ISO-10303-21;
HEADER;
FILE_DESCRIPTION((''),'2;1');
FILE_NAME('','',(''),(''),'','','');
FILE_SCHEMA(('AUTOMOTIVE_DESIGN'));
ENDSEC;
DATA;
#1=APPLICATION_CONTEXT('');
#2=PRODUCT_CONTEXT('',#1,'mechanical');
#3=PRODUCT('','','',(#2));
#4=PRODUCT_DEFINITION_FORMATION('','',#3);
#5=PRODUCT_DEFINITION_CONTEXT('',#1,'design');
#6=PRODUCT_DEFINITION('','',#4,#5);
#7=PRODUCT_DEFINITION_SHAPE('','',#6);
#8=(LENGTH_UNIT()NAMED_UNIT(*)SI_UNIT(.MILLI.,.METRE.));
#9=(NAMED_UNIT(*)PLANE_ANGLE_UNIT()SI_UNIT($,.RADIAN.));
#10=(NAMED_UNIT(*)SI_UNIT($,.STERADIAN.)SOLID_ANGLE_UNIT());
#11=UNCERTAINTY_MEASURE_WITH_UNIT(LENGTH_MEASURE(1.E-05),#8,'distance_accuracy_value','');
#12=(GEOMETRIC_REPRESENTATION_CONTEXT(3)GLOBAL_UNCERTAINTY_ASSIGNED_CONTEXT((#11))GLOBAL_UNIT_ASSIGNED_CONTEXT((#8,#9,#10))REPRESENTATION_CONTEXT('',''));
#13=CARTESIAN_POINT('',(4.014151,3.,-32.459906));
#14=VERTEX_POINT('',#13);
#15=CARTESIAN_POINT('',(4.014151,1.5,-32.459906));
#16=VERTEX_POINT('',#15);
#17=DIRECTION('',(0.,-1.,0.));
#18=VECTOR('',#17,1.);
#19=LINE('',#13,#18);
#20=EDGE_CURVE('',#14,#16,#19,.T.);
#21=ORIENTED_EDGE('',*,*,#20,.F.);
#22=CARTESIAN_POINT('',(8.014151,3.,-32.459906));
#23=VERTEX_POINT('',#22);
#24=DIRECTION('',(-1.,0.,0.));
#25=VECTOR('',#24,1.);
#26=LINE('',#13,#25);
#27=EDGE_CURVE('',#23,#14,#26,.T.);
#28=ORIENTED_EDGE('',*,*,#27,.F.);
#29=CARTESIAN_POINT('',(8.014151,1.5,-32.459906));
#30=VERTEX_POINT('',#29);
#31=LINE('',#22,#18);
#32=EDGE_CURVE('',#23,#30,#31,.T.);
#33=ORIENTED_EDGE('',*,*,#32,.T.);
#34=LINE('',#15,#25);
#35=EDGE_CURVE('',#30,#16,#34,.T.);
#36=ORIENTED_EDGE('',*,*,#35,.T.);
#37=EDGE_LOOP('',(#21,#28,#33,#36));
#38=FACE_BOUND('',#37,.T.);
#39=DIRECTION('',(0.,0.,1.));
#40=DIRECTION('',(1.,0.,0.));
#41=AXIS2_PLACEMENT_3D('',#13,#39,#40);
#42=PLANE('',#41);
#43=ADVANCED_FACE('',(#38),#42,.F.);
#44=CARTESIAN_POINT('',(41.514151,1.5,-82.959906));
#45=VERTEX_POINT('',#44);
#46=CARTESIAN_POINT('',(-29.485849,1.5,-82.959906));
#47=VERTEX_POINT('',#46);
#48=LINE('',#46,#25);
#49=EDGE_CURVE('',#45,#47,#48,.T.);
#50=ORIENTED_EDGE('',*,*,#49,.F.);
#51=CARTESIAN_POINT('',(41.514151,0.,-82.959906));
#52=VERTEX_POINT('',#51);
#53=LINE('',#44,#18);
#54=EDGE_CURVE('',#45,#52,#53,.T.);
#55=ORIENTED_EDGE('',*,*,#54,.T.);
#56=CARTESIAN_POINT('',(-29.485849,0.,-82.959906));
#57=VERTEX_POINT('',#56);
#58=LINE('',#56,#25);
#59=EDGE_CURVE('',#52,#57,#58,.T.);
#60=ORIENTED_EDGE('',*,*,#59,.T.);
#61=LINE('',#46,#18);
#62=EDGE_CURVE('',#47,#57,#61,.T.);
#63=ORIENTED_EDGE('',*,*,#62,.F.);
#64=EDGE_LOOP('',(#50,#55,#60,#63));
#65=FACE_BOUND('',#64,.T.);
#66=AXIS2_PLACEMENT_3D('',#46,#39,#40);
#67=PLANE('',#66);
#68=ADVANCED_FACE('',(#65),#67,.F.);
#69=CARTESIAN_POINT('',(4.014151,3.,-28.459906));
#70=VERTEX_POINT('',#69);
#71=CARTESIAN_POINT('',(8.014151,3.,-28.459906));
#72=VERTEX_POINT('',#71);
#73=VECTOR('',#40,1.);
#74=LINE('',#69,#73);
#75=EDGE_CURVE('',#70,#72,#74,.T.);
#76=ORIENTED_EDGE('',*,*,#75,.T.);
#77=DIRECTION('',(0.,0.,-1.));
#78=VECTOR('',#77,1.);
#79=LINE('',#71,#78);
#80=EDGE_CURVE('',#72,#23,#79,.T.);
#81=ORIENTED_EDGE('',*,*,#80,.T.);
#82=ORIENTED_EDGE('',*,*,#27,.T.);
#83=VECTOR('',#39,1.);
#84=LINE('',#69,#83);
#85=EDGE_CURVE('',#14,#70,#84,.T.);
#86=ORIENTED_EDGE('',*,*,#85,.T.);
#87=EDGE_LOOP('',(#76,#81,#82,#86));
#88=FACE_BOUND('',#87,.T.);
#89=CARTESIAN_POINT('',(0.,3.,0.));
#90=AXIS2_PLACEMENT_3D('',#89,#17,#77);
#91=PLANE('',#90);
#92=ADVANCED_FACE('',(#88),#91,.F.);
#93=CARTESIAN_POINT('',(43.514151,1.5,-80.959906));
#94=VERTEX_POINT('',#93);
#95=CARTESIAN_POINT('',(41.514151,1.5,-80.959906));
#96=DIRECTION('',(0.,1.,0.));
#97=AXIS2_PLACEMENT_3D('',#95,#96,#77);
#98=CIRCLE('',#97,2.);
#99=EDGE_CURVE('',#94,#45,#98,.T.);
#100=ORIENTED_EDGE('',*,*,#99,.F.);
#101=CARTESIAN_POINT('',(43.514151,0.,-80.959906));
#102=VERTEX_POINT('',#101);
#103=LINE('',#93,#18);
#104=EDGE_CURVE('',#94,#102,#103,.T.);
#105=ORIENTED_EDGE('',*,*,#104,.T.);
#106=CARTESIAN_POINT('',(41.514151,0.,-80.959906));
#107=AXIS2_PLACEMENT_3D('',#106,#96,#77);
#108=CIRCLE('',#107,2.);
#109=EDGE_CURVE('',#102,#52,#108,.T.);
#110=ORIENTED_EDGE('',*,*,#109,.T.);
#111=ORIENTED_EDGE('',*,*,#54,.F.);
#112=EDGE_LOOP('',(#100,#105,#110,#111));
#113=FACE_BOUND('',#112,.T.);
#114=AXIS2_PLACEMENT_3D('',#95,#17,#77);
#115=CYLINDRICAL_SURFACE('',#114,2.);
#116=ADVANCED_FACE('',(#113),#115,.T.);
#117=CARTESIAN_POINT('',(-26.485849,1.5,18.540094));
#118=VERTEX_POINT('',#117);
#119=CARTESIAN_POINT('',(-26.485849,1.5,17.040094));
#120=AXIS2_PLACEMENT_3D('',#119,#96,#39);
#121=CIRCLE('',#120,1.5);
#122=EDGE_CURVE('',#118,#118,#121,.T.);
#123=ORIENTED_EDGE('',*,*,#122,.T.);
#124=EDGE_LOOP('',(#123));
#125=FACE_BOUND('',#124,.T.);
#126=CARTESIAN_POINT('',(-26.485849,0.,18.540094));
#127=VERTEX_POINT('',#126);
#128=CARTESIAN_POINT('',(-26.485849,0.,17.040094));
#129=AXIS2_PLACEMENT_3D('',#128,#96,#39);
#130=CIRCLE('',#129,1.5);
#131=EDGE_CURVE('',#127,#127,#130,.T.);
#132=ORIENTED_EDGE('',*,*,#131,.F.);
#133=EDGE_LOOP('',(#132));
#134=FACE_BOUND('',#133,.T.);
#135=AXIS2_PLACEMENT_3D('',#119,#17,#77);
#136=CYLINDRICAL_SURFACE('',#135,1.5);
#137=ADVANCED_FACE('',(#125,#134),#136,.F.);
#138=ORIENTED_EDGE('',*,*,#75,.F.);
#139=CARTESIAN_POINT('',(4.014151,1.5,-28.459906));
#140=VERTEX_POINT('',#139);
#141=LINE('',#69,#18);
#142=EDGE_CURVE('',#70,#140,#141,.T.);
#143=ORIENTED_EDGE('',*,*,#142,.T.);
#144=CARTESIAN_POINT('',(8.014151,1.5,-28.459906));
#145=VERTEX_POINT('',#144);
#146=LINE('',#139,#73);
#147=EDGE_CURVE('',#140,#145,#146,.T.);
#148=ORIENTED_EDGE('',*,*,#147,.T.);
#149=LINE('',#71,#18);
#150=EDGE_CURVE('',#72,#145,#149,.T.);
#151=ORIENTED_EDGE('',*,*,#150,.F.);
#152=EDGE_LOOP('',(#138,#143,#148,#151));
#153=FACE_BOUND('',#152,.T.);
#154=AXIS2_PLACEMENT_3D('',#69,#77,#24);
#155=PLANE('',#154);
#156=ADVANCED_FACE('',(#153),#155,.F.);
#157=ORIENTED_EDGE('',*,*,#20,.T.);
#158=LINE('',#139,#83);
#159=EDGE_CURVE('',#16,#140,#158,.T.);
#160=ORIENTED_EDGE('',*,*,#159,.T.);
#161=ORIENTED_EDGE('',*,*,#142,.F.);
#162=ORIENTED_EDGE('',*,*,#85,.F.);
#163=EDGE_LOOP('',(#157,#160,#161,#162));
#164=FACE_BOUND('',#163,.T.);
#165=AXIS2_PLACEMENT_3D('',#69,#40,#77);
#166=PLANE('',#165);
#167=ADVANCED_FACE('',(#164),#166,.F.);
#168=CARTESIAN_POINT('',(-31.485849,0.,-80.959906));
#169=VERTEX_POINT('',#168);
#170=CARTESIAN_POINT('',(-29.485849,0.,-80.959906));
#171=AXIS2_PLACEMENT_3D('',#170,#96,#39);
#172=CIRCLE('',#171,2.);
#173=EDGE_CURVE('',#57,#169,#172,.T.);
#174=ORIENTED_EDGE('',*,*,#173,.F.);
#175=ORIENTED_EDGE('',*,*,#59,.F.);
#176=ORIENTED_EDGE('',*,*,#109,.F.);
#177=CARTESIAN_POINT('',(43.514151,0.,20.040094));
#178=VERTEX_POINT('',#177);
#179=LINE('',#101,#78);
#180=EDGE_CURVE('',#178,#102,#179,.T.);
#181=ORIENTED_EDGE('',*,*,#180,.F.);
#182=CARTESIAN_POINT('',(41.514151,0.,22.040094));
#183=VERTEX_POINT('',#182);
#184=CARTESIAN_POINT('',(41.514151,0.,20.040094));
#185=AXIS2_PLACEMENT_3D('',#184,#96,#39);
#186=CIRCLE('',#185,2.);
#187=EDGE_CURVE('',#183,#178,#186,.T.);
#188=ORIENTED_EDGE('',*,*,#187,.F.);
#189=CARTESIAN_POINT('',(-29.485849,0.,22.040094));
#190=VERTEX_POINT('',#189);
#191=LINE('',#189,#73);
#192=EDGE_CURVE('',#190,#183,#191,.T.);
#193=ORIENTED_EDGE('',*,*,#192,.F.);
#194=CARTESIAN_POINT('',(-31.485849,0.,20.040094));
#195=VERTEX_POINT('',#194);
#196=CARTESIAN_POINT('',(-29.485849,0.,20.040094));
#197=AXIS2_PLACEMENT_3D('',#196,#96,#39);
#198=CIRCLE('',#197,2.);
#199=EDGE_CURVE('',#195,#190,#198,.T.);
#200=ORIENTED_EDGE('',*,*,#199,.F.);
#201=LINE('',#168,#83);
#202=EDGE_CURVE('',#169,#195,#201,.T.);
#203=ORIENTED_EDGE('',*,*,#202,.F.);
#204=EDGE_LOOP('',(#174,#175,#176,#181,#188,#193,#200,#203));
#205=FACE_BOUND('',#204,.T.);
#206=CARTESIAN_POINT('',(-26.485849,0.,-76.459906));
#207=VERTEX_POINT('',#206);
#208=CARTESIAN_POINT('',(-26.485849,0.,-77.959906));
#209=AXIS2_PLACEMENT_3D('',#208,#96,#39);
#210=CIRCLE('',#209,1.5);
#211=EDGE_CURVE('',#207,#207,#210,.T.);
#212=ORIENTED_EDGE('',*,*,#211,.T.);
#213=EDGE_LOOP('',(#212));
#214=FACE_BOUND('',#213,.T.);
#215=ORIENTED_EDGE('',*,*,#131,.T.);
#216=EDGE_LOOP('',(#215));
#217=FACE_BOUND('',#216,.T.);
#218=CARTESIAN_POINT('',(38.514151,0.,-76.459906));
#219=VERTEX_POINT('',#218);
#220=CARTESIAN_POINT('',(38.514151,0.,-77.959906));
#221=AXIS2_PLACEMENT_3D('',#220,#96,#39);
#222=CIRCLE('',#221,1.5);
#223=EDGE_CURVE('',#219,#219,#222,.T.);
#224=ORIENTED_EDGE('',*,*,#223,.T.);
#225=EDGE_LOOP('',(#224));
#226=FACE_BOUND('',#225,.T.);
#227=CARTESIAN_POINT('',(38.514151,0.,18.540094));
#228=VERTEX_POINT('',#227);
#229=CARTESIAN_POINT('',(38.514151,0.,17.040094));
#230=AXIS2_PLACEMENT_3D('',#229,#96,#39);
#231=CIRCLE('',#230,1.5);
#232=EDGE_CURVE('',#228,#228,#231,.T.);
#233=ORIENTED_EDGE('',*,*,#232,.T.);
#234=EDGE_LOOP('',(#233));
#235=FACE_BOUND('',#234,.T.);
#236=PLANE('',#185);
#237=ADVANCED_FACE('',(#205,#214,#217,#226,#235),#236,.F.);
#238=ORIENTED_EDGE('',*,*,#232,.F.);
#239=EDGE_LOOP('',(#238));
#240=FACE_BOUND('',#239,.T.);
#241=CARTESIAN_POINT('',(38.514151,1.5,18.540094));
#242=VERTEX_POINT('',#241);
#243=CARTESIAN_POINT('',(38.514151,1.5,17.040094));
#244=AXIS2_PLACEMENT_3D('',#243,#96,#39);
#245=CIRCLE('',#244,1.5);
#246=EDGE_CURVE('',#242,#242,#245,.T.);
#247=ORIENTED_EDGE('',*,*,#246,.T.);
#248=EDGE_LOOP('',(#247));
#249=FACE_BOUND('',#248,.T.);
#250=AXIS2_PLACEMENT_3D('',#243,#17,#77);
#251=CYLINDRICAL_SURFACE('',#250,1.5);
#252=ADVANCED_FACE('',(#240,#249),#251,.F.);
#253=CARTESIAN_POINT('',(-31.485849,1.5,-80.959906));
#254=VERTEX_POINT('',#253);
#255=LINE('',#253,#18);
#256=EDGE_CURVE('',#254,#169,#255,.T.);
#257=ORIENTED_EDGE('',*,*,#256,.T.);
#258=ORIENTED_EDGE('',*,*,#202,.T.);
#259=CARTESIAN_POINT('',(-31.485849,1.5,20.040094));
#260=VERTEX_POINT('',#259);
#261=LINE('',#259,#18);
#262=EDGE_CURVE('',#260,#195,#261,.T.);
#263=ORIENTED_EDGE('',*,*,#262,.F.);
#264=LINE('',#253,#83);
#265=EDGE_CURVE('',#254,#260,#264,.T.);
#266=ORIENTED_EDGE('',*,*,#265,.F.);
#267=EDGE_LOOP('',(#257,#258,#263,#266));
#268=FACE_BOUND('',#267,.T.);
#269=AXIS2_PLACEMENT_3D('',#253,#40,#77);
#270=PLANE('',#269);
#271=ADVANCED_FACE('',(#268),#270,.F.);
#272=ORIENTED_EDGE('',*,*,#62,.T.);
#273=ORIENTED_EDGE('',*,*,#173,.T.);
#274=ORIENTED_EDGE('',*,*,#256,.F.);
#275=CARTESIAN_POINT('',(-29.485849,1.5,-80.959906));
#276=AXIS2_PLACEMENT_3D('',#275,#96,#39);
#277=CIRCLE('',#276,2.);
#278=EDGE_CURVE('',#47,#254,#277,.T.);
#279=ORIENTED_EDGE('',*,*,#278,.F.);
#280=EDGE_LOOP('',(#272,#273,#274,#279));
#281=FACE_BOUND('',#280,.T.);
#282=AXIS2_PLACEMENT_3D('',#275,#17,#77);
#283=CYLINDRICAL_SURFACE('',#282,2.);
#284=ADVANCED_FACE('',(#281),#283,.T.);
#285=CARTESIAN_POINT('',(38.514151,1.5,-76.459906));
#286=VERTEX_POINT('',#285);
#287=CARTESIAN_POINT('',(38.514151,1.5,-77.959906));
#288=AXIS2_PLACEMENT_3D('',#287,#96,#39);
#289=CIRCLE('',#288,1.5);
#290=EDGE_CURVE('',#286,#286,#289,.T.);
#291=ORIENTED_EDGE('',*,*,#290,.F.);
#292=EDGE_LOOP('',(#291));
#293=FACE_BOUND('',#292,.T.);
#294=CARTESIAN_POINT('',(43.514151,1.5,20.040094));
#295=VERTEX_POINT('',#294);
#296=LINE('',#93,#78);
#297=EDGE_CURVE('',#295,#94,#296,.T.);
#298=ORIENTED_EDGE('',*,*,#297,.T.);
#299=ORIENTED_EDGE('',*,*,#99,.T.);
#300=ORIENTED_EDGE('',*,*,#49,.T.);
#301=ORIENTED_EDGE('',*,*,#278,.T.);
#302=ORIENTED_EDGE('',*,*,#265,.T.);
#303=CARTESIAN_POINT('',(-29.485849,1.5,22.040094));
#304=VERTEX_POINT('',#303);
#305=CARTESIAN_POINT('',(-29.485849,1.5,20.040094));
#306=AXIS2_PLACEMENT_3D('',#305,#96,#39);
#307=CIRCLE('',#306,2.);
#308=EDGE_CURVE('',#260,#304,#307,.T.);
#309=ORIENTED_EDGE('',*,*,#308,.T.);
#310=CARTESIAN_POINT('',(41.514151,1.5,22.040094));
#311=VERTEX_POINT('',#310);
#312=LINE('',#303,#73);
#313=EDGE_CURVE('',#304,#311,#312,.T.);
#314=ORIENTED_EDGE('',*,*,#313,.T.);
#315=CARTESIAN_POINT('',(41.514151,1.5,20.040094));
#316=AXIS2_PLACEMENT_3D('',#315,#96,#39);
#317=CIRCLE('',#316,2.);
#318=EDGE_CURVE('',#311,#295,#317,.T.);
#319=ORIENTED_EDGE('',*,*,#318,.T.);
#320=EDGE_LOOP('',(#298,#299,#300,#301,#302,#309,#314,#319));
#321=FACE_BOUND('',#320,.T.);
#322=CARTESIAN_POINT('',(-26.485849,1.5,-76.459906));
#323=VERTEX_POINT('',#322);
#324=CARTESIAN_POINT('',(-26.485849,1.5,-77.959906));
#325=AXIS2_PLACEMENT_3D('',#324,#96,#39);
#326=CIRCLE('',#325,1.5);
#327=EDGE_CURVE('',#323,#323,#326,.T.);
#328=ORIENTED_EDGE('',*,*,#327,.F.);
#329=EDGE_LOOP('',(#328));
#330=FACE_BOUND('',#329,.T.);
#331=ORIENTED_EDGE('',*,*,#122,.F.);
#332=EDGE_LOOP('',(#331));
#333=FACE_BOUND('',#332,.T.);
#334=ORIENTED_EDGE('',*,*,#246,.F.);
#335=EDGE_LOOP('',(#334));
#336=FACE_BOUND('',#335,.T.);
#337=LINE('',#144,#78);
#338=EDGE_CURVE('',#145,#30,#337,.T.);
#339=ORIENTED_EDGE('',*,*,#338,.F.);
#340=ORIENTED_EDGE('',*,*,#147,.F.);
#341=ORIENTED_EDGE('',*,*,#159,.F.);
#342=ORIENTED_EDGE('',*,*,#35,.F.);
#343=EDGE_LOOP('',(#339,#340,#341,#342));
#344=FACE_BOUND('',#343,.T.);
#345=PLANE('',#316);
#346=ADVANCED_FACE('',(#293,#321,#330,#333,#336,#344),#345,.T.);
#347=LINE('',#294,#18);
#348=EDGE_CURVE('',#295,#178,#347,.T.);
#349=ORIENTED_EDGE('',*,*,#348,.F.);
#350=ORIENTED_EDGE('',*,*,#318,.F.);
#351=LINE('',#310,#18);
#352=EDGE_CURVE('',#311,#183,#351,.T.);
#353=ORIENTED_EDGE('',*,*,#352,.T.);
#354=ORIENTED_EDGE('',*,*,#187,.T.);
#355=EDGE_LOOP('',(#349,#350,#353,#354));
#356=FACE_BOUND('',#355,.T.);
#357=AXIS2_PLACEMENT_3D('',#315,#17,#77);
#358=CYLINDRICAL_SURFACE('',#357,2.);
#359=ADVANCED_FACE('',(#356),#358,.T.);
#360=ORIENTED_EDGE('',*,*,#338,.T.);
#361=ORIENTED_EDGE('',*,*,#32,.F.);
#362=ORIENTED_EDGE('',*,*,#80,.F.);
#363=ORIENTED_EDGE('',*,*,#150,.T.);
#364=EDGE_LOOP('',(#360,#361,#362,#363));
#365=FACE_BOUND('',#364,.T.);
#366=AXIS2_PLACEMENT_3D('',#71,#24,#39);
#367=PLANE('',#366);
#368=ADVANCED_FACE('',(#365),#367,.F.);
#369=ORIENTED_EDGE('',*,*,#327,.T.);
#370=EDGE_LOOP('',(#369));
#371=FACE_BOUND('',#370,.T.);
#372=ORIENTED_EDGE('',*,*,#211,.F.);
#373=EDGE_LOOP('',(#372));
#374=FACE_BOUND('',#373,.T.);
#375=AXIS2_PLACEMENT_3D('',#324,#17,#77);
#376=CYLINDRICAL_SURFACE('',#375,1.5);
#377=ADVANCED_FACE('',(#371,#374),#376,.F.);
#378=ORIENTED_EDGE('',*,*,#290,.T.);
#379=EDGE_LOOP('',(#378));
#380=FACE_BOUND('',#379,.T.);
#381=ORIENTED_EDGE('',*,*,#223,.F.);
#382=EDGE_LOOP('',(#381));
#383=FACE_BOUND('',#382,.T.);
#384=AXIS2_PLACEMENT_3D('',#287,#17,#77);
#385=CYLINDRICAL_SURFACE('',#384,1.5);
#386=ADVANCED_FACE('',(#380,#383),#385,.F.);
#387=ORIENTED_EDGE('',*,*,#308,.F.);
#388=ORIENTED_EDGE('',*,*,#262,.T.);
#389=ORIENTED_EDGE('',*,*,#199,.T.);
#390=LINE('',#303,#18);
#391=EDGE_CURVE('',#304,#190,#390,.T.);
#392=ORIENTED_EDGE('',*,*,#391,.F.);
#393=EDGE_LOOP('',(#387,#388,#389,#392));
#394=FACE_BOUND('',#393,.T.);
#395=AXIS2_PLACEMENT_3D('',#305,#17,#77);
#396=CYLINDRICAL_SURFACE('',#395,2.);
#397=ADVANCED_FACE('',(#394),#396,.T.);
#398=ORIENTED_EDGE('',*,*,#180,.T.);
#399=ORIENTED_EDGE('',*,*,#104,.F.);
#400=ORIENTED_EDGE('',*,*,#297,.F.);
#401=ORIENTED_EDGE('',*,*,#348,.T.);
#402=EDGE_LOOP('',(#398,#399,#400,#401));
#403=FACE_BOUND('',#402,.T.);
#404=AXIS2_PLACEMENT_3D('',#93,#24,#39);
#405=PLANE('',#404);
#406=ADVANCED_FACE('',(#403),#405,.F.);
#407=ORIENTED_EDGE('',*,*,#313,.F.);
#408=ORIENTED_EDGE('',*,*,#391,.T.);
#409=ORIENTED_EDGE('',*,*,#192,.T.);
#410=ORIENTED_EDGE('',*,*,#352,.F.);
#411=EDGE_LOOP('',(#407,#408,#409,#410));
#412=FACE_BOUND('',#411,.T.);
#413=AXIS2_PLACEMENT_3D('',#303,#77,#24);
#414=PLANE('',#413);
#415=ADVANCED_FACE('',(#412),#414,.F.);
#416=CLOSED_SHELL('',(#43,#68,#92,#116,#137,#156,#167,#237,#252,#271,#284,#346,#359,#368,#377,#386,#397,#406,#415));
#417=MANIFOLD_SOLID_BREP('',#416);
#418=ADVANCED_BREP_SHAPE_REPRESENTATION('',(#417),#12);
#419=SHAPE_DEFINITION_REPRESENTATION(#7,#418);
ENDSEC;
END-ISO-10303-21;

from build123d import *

# Parameters (mm, degrees)
ESQUISSE1_R        = 1.5
BOSS_EXTRU_1_DEPTH = 1.5
ESQUISSE2_W        = 4
ESQUISSE2_H        = 4
BOSS_EXTRU_2_DEPTH = 1.5


with BuildPart() as part:
    # Esquisse1 → Boss.-Extru.1 (new body)
    with BuildSketch(Plane(origin=(0, 0, 0), x_dir=(1, 0, 0), z_dir=(0, 1, 0))):
        with BuildLine():
            Line((-29.485849057, 82.95990566), (41.514150943, 82.95990566))
            ThreePointArc((41.514150943, 82.95990566), (42.928364506, 82.374119223), (43.514150943, 80.95990566))
            Line((43.514150943, 80.95990566), (43.514150943, -20.04009434))
            ThreePointArc((43.514150943, -20.04009434), (42.928364506, -21.454307902), (41.514150943, -22.04009434))
            Line((41.514150943, -22.04009434), (-29.485849057, -22.04009434))
            ThreePointArc((-29.485849057, -22.04009434), (-30.900062619, -21.454307902), (-31.485849057, -20.04009434))
            Line((-31.485849057, -20.04009434), (-31.485849057, 80.95990566))
            ThreePointArc((-31.485849057, 80.95990566), (-30.900062619, 82.374119223), (-29.485849057, 82.95990566))
        make_face()
        with Locations(Location((38.514150943, 77.95990566, 0), (0, 0, 270))):
            Circle(ESQUISSE1_R, mode=Mode.SUBTRACT)
        with Locations(Location((38.514150943, -17.04009434, 0), (0, 0, 270))):
            Circle(ESQUISSE1_R, mode=Mode.SUBTRACT)
        with Locations(Location((-26.485849057, -17.04009434, 0), (0, 0, 270))):
            Circle(ESQUISSE1_R, mode=Mode.SUBTRACT)
        with Locations(Location((-26.485849057, 77.95990566, 0), (0, 0, 270))):
            Circle(ESQUISSE1_R, mode=Mode.SUBTRACT)
    extrude(amount=BOSS_EXTRU_1_DEPTH)

    # Esquisse2 → Boss.-Extru.2 (add)
    with BuildSketch(Plane(origin=(0, 1.5, 0), x_dir=(1, 0, 0), z_dir=(0, 1, 0))):
        with Locations((6.014150943, 30.45990566)):
            Rectangle(ESQUISSE2_W, ESQUISSE2_H)
    extrude(amount=BOSS_EXTRU_2_DEPTH)


solid = part.part
